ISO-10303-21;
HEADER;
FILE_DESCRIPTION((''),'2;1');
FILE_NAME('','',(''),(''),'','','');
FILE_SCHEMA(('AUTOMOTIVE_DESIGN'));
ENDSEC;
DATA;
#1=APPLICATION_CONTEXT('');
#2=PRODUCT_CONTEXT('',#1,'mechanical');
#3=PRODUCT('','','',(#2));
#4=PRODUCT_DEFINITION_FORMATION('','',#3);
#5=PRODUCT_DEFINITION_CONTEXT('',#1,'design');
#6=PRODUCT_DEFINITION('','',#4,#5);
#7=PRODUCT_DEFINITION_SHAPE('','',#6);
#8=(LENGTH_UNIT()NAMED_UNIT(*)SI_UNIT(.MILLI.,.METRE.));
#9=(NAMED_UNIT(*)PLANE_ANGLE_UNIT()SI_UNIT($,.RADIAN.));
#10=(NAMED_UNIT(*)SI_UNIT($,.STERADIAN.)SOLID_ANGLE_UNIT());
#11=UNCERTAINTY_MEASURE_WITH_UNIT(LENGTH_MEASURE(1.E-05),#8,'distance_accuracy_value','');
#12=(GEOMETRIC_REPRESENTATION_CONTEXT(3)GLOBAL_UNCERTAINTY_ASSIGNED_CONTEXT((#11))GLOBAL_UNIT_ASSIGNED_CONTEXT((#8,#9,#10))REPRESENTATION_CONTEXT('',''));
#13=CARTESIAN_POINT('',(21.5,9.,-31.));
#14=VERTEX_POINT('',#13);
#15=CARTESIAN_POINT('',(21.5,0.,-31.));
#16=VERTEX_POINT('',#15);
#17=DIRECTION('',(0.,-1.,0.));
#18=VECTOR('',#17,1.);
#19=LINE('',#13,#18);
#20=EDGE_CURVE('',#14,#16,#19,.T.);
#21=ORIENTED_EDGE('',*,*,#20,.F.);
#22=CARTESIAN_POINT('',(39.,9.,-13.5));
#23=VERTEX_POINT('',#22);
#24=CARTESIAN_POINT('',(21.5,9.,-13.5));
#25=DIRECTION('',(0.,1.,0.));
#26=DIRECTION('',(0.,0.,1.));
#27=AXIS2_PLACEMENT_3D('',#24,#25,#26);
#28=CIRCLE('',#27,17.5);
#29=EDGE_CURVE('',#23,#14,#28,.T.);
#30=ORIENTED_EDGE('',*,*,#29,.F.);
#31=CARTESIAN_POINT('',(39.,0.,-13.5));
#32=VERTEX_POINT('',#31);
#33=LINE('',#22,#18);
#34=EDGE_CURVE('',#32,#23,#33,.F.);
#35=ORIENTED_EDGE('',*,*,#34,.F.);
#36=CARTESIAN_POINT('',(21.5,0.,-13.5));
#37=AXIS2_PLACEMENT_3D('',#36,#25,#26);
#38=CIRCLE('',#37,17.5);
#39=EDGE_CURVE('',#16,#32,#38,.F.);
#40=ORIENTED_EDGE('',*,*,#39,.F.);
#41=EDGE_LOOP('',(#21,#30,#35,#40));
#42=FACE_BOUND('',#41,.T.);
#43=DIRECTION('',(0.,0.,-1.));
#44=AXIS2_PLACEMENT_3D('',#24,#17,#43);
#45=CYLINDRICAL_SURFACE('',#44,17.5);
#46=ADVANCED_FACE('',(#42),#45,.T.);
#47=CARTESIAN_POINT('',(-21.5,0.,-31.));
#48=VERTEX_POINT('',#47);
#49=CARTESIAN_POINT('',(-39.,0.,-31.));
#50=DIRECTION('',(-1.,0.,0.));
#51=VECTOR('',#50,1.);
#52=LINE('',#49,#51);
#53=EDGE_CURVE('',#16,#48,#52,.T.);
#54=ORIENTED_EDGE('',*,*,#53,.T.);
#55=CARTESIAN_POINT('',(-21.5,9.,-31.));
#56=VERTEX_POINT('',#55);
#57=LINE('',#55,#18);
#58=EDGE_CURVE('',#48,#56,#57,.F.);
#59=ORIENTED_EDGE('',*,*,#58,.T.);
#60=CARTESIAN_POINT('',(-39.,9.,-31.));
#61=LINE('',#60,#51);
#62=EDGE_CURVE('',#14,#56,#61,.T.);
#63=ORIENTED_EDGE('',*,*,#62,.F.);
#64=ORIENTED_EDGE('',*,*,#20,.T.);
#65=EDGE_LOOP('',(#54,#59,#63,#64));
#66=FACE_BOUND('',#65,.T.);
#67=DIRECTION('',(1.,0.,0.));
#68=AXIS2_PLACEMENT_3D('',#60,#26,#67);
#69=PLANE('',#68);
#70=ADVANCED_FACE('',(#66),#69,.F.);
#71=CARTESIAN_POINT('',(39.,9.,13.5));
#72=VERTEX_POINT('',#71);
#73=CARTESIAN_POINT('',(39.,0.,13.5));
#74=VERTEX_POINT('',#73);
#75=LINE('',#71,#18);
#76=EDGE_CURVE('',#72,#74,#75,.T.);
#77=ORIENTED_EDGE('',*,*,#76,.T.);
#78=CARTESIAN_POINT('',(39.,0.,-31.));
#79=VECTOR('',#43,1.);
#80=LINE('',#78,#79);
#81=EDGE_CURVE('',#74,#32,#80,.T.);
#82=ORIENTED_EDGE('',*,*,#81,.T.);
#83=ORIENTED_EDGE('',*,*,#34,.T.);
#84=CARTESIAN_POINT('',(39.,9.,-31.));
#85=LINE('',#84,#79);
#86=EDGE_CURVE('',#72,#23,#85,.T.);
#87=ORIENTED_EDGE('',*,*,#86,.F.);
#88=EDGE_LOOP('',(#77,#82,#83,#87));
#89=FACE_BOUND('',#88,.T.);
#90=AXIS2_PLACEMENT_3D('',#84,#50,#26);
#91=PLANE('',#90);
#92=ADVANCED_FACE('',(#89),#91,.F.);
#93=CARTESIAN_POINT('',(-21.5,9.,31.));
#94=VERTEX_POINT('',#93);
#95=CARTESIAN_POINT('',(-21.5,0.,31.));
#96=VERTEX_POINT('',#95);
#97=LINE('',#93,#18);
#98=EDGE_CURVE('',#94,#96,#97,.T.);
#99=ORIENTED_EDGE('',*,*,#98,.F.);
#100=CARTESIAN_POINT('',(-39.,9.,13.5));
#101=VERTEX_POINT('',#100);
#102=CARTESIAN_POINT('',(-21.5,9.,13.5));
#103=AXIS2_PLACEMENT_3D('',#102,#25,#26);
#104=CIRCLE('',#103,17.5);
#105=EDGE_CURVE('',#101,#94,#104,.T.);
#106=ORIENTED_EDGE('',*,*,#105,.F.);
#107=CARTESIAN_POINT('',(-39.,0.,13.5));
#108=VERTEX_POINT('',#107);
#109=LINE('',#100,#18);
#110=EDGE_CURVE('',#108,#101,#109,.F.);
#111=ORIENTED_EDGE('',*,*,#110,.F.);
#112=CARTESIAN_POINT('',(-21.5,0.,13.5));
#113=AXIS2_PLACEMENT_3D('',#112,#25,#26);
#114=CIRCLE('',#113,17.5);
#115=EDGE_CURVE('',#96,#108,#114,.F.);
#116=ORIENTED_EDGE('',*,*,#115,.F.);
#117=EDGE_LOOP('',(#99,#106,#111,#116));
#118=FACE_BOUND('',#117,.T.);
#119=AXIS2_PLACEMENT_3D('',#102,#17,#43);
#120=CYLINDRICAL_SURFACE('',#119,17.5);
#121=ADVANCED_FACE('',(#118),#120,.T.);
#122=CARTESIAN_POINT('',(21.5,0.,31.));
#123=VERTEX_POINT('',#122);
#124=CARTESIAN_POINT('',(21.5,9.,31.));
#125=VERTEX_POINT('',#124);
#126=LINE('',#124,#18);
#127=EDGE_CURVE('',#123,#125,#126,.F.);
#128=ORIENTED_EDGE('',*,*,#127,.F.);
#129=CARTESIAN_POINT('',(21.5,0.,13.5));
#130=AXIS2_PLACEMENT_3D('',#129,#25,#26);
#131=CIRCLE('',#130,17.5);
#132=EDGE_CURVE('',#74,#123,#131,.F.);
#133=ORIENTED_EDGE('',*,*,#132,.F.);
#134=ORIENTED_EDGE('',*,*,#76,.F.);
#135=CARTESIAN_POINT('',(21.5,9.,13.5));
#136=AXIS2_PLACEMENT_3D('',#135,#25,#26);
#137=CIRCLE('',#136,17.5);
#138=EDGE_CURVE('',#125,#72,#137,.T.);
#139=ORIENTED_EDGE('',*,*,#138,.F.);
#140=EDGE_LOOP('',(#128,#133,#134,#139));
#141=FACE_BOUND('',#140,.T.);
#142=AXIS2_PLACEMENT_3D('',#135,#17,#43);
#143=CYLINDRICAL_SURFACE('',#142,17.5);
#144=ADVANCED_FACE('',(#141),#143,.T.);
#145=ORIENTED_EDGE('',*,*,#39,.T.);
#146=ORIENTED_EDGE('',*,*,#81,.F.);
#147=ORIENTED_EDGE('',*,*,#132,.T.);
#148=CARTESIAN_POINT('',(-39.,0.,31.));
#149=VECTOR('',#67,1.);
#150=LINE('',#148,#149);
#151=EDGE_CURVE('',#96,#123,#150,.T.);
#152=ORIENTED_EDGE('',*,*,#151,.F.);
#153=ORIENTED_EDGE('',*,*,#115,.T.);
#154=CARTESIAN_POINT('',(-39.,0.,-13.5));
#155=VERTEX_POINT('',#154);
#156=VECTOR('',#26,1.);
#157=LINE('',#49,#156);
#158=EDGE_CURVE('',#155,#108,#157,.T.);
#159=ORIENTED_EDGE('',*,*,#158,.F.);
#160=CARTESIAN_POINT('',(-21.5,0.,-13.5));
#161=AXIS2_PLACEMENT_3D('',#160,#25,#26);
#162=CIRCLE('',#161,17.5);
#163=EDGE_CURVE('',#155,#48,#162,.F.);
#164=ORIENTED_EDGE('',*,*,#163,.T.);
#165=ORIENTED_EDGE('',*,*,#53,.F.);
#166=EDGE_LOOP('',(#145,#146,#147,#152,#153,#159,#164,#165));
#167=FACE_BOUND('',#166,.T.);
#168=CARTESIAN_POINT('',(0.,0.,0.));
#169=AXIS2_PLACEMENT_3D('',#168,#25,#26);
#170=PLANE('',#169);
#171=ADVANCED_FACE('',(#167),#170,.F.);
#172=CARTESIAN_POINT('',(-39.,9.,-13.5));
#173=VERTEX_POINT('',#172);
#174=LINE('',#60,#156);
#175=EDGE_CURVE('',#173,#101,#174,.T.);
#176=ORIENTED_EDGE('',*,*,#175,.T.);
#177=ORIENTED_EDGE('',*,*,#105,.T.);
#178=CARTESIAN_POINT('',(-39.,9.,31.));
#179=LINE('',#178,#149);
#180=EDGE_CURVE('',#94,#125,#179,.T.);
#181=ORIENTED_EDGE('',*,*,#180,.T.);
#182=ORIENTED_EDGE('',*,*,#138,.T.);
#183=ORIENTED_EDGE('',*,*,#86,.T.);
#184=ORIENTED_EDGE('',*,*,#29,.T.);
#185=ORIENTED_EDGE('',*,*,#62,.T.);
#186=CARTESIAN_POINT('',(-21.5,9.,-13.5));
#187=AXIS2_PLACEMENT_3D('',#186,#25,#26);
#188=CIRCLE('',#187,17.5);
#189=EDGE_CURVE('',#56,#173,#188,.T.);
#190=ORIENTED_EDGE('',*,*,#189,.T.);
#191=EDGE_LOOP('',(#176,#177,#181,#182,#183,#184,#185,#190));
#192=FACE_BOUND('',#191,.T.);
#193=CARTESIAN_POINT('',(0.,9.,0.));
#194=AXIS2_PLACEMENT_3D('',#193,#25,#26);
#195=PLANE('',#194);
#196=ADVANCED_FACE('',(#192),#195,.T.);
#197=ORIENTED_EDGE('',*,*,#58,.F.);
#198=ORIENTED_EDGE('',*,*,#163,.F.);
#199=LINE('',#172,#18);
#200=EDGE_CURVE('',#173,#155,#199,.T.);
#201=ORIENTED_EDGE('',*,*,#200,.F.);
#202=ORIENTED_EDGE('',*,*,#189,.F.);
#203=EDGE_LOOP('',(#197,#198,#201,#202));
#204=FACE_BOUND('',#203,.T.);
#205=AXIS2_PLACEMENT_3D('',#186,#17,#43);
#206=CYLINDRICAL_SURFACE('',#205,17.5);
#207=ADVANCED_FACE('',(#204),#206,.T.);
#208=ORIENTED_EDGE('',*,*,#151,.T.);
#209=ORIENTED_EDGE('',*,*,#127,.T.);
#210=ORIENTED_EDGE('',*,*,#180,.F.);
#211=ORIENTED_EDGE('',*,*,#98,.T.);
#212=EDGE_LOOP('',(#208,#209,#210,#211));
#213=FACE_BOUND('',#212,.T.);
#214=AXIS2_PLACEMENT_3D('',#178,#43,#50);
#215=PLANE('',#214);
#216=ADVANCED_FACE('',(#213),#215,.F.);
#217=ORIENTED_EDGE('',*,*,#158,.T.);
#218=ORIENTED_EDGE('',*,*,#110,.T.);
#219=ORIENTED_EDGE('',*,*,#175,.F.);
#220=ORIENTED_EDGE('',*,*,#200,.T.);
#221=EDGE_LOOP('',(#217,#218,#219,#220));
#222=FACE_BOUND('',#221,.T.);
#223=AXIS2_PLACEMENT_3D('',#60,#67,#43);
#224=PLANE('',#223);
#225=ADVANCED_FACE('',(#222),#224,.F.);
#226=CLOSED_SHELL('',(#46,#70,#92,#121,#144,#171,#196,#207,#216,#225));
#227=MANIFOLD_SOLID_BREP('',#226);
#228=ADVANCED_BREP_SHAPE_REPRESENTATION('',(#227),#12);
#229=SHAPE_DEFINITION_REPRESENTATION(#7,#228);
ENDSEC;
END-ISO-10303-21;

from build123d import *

# Parameters (mm, degrees)
ESQUISSE1_W        = 78
ESQUISSE1_H        = 62
BOSS_EXTRU_1_DEPTH = 9
CONG_1_R           = 17.5


with BuildPart() as part:
    # Esquisse1 → Boss.-Extru.1 (new body)
    with BuildSketch(Plane(origin=(0, 0, 0), x_dir=(1, 0, 0), z_dir=(0, 1, 0))):
        Rectangle(ESQUISSE1_W, ESQUISSE1_H)
    extrude(amount=BOSS_EXTRU_1_DEPTH)

    # Congé1
    cong_1_edges = [part.edges().sort_by_distance(p)[0] for p in [
        (-39, 4.5, -31),
        (39, 4.5, -31),
        (39, 4.5, 31),
        (-39, 4.5, 31),
    ]]
    fillet(cong_1_edges, radius=CONG_1_R)


solid = part.part
